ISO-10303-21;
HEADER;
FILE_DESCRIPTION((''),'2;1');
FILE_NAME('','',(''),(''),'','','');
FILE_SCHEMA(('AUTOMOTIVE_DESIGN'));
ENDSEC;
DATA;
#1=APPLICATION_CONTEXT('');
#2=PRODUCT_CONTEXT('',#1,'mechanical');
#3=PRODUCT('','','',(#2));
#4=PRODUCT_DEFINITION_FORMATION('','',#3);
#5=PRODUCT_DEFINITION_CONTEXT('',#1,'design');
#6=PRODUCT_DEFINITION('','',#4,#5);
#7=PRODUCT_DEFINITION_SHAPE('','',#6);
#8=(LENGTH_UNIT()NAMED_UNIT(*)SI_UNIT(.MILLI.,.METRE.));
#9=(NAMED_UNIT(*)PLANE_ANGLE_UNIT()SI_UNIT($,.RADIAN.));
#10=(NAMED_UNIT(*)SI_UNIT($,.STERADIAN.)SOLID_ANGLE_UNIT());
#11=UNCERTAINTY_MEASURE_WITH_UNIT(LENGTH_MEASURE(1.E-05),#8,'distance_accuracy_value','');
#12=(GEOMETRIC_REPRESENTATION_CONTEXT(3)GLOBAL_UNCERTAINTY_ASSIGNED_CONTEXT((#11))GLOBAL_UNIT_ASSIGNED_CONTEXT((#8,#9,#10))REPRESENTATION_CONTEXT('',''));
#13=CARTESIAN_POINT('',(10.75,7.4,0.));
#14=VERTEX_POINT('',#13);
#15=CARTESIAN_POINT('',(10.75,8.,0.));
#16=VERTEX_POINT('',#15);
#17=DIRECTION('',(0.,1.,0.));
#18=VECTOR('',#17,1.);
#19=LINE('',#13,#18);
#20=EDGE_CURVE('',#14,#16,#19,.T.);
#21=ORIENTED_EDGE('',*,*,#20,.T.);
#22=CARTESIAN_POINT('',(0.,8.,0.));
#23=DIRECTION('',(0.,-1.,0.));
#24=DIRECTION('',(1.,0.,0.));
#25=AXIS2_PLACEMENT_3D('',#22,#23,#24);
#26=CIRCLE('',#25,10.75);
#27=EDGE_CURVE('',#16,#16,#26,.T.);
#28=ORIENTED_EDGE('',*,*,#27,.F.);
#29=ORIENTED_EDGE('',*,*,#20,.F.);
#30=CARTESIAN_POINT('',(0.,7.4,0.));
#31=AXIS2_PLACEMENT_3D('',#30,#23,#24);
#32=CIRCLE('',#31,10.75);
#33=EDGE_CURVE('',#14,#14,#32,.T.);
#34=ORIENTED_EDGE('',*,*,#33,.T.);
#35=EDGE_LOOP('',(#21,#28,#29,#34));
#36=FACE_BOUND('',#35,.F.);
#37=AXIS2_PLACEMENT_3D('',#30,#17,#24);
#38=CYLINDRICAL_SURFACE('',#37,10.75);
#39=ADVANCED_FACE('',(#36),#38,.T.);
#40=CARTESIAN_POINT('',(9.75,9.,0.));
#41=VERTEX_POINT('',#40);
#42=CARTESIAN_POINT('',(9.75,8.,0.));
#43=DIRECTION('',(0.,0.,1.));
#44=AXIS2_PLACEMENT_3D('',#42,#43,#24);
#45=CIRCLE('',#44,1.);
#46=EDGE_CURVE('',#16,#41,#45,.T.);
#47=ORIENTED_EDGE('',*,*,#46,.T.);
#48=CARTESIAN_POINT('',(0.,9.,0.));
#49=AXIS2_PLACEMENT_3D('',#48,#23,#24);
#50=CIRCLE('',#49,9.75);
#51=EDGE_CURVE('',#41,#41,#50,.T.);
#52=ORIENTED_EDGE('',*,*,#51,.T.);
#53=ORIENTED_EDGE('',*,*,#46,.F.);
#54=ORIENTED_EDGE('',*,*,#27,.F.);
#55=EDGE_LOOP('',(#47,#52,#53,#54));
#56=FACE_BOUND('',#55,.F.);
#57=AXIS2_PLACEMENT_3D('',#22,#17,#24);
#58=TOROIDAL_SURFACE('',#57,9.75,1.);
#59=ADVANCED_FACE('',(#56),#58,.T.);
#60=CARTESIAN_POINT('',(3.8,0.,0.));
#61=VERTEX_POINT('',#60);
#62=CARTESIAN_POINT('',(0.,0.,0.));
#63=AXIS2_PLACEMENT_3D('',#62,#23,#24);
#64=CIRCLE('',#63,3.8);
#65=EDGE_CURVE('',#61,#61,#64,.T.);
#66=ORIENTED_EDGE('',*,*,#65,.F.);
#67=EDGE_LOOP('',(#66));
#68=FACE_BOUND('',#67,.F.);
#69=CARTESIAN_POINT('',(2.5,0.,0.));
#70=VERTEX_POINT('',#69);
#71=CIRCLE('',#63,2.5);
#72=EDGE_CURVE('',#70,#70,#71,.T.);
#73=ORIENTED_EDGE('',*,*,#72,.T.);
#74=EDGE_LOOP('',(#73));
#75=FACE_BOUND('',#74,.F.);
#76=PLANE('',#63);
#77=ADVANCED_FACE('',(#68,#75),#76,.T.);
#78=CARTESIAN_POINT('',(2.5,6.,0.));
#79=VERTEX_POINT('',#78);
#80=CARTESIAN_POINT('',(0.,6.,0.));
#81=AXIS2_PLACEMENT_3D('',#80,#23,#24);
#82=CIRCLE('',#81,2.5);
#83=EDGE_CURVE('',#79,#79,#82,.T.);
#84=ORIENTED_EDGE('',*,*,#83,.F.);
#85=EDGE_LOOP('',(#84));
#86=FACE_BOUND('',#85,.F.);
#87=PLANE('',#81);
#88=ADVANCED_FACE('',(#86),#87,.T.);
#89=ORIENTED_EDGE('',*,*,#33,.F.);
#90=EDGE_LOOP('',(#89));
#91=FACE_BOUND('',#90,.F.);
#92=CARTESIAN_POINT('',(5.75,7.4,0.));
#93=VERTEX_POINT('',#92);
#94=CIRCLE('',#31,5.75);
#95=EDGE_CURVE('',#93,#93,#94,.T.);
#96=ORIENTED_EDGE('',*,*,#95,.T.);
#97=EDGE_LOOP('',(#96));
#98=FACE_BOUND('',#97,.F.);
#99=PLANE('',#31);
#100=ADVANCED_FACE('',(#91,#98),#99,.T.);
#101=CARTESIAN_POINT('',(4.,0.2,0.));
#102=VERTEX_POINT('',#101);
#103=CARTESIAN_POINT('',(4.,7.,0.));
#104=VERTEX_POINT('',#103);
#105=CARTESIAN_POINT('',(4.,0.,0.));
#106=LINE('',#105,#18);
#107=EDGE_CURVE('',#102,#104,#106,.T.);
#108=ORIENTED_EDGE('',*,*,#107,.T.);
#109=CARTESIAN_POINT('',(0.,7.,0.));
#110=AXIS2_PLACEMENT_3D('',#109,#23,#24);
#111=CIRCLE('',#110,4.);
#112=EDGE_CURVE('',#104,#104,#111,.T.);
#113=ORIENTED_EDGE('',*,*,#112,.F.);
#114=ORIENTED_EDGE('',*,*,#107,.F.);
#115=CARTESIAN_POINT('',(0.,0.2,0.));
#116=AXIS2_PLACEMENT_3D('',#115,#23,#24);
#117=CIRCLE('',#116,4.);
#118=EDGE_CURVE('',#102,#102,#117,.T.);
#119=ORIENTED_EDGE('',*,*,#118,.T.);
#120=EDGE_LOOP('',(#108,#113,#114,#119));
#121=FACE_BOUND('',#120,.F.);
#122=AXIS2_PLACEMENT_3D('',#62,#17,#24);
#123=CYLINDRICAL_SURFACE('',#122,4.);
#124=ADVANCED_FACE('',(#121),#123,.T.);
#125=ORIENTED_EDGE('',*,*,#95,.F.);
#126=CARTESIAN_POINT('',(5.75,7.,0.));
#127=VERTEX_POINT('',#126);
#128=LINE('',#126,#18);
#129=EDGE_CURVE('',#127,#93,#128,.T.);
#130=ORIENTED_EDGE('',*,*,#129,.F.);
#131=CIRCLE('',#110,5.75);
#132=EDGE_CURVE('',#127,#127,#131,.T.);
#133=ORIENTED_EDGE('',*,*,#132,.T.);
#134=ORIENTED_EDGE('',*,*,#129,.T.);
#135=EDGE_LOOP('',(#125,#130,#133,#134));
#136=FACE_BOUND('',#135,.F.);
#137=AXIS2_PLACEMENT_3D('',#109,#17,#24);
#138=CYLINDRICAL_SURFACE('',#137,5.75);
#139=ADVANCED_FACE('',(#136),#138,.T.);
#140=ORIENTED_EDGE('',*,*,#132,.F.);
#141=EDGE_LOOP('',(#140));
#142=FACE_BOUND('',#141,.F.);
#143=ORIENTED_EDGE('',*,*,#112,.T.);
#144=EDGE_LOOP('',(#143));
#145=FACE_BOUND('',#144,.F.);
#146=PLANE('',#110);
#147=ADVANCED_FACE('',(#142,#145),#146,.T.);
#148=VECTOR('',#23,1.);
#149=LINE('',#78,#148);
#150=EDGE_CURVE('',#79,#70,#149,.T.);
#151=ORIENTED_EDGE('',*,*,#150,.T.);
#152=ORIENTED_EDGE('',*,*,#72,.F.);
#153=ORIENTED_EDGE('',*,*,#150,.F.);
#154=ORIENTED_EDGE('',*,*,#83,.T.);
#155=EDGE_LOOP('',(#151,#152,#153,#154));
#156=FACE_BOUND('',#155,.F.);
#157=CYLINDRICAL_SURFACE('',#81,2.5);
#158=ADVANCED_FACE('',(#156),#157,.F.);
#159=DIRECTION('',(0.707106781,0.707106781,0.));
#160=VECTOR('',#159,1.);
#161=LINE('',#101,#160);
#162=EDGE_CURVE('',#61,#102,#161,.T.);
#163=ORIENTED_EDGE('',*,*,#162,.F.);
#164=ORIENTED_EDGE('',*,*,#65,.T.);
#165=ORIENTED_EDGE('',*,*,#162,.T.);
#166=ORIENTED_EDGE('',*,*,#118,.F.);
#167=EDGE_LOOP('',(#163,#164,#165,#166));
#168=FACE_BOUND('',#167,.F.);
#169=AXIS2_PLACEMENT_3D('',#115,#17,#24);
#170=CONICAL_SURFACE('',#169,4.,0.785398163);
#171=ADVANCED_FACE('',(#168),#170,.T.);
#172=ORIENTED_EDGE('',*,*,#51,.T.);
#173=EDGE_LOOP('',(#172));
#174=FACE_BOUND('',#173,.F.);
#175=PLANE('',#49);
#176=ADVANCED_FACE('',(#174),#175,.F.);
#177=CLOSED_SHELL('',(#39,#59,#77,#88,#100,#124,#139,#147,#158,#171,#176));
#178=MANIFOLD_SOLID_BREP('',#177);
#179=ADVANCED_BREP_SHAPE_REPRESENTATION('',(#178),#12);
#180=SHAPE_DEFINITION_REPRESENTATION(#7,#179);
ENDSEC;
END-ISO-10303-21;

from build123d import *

# Parameters (mm, degrees)
F2_SIZE = 0.2
F3_R    = 1


with BuildPart() as f1:
    # F0 (on Top) → F1 (revolve)
    with BuildSketch(Plane.XY):
        Polygon((2.5, 6), (2.5, 0), (4, 0), (4, 7), (5.75, 7), (5.75, 7.4), (10.75, 7.4), (10.75, 9), (0, 9), (0, 6), align=None)
    revolve(axis=Axis((0, 4.843669, 0), (0, -1, 0)))

    # F2
    f2_edges = [f1.edges().sort_by_distance(p)[0] for p in [
        (-4, 0, 0),
    ]]
    chamfer(f2_edges, length=F2_SIZE)

    # F3
    f3_edges = [f1.edges().sort_by_distance(p)[0] for p in [
        (-10.75, 9, 0),
    ]]
    fillet(f3_edges, radius=F3_R)


solid = f1.part
